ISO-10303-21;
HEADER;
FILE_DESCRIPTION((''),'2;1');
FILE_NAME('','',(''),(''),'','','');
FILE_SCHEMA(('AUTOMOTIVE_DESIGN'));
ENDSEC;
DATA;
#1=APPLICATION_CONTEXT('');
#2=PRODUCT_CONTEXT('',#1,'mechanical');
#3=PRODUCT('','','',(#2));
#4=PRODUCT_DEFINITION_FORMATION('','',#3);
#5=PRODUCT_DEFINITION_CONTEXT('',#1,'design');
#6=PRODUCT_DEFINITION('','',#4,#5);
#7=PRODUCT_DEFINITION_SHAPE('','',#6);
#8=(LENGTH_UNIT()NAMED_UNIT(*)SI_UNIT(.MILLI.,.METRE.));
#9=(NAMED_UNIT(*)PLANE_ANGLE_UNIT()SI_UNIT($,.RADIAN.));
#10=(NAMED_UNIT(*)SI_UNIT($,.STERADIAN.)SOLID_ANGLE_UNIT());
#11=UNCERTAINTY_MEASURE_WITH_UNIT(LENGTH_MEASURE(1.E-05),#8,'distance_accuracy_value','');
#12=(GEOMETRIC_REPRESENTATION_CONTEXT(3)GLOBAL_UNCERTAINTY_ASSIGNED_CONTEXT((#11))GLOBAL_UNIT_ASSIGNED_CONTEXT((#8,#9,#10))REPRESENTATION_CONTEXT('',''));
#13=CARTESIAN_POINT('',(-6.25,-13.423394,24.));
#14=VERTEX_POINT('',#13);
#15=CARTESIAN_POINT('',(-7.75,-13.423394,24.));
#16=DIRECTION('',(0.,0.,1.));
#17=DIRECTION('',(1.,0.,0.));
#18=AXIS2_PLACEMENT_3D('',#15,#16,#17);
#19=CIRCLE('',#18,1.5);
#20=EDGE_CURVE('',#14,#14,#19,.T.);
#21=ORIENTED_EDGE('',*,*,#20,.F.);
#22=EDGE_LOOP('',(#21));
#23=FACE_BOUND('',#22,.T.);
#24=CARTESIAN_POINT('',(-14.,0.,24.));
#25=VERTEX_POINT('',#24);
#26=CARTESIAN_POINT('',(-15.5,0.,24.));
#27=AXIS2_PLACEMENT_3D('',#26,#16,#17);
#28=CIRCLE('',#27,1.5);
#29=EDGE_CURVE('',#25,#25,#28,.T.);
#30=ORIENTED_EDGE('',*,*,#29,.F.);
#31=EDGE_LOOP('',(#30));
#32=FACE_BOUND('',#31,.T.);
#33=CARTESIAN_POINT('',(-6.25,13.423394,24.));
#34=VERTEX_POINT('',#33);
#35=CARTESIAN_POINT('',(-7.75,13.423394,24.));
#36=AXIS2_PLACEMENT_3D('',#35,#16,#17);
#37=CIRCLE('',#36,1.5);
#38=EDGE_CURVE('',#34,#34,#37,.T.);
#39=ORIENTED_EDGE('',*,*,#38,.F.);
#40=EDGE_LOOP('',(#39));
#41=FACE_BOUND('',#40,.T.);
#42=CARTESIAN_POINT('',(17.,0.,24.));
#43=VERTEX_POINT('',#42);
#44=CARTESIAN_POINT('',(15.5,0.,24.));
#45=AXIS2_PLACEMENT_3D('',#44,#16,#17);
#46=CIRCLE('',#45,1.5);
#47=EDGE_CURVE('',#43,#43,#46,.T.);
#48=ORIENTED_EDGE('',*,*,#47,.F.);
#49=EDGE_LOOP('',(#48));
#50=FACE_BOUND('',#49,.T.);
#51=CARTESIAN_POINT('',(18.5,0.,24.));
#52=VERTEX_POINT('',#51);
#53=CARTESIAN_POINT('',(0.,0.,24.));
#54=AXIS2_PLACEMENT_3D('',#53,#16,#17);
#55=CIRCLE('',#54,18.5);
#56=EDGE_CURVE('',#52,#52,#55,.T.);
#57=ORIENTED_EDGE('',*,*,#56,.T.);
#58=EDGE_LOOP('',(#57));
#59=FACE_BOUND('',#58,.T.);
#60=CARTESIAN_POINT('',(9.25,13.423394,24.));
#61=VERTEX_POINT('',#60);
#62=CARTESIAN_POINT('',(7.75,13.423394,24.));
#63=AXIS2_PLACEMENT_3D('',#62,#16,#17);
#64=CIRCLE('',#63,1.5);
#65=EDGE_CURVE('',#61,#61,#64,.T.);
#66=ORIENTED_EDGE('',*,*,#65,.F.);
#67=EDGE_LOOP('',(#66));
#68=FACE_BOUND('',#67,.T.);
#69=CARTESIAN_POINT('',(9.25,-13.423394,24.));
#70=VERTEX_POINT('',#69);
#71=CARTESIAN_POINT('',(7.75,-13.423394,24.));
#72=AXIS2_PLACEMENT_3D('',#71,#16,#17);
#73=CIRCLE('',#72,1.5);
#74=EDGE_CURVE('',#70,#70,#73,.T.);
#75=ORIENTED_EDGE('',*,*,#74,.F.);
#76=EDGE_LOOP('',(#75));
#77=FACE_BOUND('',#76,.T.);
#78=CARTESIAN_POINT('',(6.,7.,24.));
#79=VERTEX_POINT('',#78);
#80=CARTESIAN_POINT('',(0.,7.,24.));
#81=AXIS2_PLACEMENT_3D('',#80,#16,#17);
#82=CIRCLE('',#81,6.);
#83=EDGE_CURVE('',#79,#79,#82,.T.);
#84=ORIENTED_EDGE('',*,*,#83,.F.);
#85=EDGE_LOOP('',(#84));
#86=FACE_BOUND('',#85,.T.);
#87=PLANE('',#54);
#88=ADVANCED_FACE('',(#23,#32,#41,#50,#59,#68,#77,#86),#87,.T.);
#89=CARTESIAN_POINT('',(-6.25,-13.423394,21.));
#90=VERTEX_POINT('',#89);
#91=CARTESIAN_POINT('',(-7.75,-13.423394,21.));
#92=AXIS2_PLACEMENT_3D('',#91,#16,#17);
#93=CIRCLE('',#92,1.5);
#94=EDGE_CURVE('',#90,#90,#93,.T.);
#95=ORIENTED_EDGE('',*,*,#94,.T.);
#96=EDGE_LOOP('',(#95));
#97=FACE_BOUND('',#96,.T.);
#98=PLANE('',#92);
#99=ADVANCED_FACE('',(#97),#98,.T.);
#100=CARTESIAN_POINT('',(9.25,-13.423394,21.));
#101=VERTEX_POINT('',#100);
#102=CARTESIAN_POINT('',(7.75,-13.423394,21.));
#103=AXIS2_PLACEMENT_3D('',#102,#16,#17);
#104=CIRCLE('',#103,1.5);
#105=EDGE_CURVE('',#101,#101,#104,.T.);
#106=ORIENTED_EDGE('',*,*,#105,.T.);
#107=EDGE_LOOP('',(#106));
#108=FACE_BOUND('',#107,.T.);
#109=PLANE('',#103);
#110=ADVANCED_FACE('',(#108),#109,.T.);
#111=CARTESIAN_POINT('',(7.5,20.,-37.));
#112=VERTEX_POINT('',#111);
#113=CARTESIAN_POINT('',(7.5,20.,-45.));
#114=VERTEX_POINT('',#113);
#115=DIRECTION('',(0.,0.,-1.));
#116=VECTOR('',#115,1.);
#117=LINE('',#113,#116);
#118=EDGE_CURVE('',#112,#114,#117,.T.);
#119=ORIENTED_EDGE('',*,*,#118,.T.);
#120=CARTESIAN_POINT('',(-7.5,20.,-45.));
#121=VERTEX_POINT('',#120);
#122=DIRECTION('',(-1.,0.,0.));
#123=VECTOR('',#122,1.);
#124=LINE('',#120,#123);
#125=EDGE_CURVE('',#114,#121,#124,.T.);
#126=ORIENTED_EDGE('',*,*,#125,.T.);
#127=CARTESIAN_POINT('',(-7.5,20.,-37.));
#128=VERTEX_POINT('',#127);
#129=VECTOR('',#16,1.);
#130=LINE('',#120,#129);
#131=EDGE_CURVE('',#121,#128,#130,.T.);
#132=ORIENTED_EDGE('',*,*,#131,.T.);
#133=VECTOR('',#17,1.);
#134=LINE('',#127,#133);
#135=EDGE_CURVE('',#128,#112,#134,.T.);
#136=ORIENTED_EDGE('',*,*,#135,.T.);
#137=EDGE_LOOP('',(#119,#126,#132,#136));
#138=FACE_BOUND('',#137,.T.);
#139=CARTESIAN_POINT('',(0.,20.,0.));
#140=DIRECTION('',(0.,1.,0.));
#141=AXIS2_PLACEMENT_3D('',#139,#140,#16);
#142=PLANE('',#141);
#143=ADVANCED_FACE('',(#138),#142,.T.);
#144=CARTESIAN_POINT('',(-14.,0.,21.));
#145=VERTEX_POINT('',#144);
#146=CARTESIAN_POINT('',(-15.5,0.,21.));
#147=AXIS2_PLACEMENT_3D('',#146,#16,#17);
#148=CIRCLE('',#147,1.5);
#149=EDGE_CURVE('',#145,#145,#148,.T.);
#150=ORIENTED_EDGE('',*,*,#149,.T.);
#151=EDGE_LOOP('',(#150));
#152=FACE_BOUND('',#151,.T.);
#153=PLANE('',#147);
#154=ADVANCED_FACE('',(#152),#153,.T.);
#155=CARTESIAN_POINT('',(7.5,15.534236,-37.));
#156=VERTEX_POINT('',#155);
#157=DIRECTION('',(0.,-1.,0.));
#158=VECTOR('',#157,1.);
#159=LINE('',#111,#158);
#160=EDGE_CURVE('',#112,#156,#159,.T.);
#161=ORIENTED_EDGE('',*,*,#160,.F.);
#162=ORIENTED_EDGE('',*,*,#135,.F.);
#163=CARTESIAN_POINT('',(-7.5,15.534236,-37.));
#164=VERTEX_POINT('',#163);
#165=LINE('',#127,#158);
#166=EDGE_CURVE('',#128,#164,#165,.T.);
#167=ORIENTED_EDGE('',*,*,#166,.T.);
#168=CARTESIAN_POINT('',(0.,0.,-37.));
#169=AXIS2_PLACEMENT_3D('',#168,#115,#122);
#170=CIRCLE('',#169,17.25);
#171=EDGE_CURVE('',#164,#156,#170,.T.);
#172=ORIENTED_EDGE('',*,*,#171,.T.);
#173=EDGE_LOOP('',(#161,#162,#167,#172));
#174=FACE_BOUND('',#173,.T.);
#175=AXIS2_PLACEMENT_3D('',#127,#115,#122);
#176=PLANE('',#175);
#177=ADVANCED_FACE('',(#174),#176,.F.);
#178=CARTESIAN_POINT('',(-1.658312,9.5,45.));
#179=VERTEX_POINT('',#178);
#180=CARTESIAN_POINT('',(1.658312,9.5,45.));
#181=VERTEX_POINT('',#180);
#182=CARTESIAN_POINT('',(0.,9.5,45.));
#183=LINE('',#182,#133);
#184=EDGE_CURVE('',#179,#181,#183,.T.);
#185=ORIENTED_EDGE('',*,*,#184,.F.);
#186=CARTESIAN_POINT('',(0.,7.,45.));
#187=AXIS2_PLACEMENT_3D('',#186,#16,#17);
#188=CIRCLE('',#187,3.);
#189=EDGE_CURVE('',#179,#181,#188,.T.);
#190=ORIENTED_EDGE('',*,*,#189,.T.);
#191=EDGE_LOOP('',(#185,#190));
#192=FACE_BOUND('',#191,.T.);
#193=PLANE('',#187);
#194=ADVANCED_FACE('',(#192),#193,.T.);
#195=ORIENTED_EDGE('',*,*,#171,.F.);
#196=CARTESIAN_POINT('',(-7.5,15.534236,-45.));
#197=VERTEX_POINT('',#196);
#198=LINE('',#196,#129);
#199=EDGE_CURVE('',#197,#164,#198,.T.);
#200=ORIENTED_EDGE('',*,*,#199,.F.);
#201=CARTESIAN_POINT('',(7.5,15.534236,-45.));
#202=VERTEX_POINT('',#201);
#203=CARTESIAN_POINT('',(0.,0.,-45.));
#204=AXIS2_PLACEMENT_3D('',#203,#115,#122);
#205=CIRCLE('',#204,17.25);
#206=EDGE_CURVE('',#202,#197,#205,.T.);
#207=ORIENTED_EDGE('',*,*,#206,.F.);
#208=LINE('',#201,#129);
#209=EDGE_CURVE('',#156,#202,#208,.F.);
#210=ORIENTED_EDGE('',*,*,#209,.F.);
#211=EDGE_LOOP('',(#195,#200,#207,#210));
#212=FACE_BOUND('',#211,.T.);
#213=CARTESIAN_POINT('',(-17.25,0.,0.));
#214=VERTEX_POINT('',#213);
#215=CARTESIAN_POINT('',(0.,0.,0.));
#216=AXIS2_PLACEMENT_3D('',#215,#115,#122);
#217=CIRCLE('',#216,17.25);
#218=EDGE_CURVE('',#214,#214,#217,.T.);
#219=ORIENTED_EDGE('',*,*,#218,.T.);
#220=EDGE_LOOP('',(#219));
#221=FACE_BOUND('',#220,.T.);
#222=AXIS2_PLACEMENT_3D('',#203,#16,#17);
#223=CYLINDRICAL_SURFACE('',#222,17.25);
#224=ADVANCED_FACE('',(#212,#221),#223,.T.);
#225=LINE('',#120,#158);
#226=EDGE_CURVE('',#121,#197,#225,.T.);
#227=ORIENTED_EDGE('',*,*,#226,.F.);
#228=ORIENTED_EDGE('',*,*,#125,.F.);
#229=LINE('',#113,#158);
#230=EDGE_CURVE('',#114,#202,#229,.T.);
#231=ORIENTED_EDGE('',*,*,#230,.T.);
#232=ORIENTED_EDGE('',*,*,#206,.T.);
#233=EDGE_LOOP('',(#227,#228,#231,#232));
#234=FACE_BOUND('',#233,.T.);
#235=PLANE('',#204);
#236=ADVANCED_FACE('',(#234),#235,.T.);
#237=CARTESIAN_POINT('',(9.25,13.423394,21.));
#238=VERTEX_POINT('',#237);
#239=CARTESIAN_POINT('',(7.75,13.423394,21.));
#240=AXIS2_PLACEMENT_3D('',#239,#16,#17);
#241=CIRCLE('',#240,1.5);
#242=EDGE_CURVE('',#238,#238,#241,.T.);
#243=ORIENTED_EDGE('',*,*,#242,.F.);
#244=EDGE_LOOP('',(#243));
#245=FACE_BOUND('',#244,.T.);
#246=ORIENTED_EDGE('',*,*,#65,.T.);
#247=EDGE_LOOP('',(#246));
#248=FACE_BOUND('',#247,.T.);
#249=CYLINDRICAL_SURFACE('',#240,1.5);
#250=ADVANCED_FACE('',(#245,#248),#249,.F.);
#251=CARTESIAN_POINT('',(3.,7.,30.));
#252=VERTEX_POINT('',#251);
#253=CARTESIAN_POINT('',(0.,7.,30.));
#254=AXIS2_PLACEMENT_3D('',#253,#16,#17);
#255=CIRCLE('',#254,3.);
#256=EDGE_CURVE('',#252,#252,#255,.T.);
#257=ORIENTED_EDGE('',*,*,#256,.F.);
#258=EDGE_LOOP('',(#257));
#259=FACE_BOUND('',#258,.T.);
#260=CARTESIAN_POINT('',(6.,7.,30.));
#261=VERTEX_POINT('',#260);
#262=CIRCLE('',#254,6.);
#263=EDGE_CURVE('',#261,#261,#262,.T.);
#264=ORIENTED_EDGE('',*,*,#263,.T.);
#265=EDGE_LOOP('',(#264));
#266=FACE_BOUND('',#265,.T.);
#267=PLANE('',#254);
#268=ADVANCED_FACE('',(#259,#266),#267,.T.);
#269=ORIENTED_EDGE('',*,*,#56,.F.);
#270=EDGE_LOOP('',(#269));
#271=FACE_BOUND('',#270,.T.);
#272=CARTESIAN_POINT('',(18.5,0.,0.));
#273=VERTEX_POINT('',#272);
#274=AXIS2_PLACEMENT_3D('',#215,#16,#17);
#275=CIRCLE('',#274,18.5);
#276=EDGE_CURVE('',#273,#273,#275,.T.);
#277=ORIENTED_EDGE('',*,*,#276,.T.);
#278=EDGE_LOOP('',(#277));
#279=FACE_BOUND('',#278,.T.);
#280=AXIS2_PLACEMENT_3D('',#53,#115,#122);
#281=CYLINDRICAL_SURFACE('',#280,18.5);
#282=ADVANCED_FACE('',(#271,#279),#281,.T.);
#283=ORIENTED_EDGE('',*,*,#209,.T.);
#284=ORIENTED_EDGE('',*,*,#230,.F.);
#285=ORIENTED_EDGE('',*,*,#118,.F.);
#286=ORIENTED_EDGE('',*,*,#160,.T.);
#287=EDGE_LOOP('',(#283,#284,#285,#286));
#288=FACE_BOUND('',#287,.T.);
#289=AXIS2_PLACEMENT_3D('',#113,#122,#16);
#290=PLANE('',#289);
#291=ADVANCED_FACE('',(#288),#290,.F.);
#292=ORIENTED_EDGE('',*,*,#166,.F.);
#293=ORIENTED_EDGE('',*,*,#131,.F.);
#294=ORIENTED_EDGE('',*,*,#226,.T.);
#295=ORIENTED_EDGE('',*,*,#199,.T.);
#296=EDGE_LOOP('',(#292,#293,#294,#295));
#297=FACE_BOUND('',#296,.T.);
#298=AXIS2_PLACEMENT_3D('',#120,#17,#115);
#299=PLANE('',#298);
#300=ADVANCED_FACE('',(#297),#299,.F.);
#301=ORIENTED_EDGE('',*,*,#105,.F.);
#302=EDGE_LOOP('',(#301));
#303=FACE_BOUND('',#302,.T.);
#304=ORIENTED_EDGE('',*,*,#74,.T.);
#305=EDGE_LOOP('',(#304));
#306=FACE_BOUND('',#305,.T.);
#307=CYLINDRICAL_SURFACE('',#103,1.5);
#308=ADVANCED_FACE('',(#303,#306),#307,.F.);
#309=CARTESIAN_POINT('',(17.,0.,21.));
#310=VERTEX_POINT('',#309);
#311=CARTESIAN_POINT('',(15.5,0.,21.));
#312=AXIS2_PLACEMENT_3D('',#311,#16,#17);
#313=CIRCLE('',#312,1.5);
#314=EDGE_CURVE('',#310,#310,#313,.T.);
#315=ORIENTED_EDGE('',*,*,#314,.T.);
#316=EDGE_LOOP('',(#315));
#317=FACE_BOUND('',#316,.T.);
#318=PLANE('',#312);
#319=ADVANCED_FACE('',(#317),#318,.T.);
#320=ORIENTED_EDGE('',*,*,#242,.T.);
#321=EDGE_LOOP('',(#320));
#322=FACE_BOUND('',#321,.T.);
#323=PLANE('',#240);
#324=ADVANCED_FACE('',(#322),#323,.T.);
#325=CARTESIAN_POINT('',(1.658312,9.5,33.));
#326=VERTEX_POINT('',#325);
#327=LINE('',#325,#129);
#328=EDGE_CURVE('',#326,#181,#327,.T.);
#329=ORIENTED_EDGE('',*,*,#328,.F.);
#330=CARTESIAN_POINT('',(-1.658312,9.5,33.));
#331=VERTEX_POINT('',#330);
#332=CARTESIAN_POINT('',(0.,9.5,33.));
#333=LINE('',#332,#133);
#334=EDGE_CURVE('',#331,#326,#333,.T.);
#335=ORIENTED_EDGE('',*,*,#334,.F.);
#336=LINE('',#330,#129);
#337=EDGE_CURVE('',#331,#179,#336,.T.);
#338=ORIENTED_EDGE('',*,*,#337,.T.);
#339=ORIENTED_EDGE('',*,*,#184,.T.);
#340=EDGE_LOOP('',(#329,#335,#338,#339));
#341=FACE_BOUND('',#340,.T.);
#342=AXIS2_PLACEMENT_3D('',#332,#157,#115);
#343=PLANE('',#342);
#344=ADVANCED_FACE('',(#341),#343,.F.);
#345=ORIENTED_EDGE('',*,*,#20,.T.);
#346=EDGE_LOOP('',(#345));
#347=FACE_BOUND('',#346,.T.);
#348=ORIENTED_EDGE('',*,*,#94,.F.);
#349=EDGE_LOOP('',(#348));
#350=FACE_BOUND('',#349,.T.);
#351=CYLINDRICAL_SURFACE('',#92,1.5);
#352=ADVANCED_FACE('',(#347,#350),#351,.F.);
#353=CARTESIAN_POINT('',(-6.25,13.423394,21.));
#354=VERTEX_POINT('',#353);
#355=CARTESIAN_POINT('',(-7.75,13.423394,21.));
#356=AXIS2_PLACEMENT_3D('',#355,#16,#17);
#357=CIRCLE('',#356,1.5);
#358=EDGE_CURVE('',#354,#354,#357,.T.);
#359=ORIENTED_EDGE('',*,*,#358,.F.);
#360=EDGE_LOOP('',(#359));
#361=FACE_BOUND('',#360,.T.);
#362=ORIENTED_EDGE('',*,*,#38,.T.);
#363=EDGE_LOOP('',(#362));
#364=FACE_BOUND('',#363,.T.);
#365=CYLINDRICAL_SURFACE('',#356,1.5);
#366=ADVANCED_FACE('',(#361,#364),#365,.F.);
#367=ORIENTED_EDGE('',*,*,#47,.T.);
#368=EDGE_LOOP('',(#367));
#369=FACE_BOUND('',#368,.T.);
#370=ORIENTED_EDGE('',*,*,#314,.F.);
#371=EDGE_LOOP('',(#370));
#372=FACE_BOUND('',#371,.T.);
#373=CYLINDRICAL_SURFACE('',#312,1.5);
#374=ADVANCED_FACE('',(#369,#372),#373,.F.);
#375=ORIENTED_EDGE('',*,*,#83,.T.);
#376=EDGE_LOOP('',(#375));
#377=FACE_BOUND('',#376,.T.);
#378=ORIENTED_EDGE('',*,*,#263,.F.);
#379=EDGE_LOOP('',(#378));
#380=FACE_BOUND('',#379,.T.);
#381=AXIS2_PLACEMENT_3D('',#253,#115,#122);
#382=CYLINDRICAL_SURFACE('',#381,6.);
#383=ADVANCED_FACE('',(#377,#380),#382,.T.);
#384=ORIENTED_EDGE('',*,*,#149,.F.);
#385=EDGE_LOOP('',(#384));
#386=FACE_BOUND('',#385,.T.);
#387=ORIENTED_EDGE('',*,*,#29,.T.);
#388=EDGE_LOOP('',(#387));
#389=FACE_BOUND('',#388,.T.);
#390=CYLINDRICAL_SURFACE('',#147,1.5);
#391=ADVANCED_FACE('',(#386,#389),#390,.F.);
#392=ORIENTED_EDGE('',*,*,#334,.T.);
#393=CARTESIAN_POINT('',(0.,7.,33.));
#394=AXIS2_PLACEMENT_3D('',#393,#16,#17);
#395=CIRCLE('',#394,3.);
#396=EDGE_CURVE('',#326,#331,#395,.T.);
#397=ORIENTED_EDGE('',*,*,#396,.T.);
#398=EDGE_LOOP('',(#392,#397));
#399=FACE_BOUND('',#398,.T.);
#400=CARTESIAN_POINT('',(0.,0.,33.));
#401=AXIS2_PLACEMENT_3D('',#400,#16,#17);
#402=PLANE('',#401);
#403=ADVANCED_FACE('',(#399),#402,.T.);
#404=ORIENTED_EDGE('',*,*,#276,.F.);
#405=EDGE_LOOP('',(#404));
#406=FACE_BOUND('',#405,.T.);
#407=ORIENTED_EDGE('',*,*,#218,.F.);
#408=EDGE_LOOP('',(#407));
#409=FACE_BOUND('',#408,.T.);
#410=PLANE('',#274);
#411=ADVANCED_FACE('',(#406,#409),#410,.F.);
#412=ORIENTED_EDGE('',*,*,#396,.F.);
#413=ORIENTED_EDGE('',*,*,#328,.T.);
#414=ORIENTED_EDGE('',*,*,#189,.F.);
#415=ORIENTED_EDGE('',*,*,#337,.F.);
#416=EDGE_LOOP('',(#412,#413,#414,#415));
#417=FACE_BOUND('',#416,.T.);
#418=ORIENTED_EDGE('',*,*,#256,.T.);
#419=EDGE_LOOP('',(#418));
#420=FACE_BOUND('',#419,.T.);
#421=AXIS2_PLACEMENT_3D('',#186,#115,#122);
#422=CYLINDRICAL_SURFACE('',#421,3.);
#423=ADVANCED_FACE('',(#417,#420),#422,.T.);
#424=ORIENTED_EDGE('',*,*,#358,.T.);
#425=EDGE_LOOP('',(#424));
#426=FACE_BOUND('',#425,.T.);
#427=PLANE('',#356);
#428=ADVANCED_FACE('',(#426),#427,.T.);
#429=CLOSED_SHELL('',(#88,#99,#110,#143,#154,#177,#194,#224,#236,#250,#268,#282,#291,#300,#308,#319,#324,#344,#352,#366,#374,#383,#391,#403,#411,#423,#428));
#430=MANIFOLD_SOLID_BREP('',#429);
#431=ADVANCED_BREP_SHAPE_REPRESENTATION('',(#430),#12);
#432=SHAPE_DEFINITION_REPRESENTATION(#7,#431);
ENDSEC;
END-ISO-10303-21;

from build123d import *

# Parameters (mm, degrees)
SKETCH1_R           = 18.5
BOSS_EXTRUDE1_DEPTH = 24
SKETCH2_R           = 17.25
BOSS_EXTRUDE2_DEPTH = 45
SKETCH3_R           = 6
BOSS_EXTRUDE3_DEPTH = 6
SKETCH4_R           = 3
BOSS_EXTRUDE4_DEPTH = 15
CUT_EXTRUDE1_START  = -12
CUT_EXTRUDE1_DEPTH  = 12
SKETCH6_R           = 1.5
CUT_EXTRUDE2_DEPTH  = 3
SKETCH7_W           = 15
SKETCH7_H           = 8
BOSS_EXTRUDE5_DEPTH = 20


with BuildPart() as part:
    # Sketch1 → Boss-Extrude1 (new body)
    with BuildSketch(Plane.XY):
        Circle(SKETCH1_R)
    extrude(amount=BOSS_EXTRUDE1_DEPTH)

    # Sketch2 → Boss-Extrude2 (add)
    with BuildSketch(Plane(origin=(0, 0, 0), x_dir=(-1, 0, 0), z_dir=(0, 0, -1))):
        with Locations(Location((0, 0, 0), (0, 0, 180))):
            Circle(SKETCH2_R)
    extrude(amount=BOSS_EXTRUDE2_DEPTH)

    # Sketch3 → Boss-Extrude3 (add)
    with BuildSketch(Plane.XY.offset(24)):
        with Locations((0, 7)):
            Circle(SKETCH3_R)
    extrude(amount=BOSS_EXTRUDE3_DEPTH)

    # Sketch4 → Boss-Extrude4 (add)
    with BuildSketch(Plane.XY.offset(30)):
        with Locations((0, 7)):
            Circle(SKETCH4_R)
    extrude(amount=BOSS_EXTRUDE4_DEPTH)

    # Sketch5 → Cut-Extrude1 (cut)
    with BuildSketch(Plane.XY.offset(45).offset(CUT_EXTRUDE1_START)):
        with BuildLine():
            ThreePointArc((1.658312395, 9.5), (0, 10), (-1.658312395, 9.5))
            Line((-1.658312395, 9.5), (0, 9.5))
            Line((0, 9.5), (1.658312395, 9.5))
        make_face()
    extrude(amount=CUT_EXTRUDE1_DEPTH, mode=Mode.SUBTRACT)

    # Sketch6 → Cut-Extrude2 (cut)
    with BuildSketch(Plane.XY.offset(24)):
        with Locations((7.75, 13.423393759)):
            Circle(SKETCH6_R)
        with Locations((15.5, 0)):
            Circle(SKETCH6_R)
        with Locations((7.75, -13.423393759)):
            Circle(SKETCH6_R)
        with Locations((-7.75, -13.423393759)):
            Circle(SKETCH6_R)
        with Locations((-15.5, 0)):
            Circle(SKETCH6_R)
        with Locations((-7.75, 13.423393759)):
            Circle(SKETCH6_R)
    extrude(amount=-CUT_EXTRUDE2_DEPTH, mode=Mode.SUBTRACT)

    # Sketch7 → Boss-Extrude5 (add)
    with BuildSketch(Plane(origin=(0, 0, 0), x_dir=(1, 0, 0), z_dir=(0, 1, 0))):
        with Locations((0, 41)):
            Rectangle(SKETCH7_W, SKETCH7_H)
    extrude(amount=BOSS_EXTRUDE5_DEPTH)


solid = part.part
